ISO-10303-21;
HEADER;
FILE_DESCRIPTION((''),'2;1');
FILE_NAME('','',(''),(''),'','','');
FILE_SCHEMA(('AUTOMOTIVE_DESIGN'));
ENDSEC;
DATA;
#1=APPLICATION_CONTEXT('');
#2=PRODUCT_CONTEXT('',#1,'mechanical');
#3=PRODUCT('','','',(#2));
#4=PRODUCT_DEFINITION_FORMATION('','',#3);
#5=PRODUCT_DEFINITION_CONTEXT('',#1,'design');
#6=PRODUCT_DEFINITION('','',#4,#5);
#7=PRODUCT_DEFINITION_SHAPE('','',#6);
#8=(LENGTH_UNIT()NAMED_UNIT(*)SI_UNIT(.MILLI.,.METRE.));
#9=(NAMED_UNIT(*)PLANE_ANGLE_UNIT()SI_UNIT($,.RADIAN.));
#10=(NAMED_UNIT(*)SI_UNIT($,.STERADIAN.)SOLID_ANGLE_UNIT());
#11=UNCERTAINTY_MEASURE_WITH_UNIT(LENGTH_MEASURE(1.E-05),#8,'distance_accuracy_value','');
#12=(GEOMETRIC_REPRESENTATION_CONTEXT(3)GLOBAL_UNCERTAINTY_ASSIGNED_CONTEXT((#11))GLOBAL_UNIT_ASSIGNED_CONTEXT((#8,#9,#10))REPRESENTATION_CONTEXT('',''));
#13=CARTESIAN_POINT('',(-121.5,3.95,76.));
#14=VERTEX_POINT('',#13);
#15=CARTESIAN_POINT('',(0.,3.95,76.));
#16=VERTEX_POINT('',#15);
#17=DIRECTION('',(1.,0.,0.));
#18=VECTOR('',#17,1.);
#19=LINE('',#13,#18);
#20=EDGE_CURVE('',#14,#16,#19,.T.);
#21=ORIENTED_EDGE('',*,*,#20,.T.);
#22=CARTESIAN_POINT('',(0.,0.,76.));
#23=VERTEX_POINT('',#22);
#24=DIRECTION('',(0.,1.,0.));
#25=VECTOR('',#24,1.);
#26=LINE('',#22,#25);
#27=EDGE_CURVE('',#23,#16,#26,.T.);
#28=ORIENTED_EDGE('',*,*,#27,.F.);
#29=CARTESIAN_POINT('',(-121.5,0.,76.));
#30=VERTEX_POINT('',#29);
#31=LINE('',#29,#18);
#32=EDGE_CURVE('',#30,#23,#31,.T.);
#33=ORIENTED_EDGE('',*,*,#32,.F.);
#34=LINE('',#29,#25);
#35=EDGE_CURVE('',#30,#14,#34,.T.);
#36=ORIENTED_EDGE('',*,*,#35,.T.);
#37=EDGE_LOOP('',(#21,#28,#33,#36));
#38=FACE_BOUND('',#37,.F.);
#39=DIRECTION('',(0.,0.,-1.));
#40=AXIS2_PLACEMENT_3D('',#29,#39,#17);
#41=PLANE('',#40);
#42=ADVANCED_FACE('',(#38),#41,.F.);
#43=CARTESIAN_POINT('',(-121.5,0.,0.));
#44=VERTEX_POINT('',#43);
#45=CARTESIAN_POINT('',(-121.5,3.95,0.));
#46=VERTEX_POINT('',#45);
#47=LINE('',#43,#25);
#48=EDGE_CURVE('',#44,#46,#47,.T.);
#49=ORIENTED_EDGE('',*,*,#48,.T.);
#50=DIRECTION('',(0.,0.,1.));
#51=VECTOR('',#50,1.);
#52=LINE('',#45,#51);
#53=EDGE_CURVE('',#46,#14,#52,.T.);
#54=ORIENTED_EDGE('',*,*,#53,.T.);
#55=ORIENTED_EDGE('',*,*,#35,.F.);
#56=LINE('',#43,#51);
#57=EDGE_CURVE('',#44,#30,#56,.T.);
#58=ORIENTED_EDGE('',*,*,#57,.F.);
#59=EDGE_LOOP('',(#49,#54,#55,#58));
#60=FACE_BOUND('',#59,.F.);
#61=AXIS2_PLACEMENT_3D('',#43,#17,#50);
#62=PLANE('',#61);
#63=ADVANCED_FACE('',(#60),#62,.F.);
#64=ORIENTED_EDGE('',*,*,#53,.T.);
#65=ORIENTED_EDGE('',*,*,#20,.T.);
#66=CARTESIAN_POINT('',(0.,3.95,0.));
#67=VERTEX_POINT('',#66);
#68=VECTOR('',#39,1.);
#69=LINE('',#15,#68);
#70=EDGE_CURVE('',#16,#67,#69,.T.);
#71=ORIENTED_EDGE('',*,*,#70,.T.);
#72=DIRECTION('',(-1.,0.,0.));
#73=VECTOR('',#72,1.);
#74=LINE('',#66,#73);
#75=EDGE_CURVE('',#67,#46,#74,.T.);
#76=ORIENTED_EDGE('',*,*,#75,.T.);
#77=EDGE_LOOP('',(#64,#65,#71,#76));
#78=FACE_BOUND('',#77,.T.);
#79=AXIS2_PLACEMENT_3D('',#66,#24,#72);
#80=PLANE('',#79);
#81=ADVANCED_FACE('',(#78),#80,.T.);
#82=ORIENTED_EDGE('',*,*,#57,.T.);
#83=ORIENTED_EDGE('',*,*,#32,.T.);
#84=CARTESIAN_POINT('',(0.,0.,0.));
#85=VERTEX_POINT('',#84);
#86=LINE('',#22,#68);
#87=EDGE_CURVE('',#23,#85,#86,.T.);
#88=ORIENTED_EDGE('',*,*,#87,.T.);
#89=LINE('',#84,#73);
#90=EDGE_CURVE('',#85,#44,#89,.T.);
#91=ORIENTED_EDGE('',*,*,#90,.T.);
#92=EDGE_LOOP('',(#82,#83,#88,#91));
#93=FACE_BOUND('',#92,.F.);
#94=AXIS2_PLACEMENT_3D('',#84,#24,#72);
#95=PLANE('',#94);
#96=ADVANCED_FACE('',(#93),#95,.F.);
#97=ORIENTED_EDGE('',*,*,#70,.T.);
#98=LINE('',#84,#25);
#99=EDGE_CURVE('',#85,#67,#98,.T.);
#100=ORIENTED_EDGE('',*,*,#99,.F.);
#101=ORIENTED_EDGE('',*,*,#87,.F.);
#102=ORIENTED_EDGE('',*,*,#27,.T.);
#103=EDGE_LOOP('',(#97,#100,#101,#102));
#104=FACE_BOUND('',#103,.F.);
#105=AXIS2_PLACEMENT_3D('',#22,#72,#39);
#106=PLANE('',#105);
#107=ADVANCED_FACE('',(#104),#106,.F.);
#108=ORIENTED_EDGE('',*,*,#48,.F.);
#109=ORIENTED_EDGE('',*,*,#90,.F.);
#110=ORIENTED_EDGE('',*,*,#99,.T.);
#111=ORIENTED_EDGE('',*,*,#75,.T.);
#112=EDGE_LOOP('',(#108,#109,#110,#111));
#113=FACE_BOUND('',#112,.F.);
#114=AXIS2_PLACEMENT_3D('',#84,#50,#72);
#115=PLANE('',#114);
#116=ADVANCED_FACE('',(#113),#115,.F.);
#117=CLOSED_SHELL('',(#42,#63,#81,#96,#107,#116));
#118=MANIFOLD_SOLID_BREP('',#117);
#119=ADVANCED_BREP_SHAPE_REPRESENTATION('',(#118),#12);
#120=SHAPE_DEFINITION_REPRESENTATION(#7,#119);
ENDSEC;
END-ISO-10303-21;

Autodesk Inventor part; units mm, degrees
ref_plane "YZ Plane" through (0, 0, 0) normal (1, 0, 0) x (0, 1, 0)
ref_plane "XZ Plane" through (0, 0, 0) normal (0, 1, 0) x (-1, 0, 0)
ref_plane "XY Plane" through (0, 0, 0) normal (0, 0, 1) x (1, 0, 0)
sketch "Sketch1" plane through (0, 0, 0) normal (0, 1, 0) x (-1, 0, 0)
  point P0 (0, 0)
sketch "Sketch2" plane through (0, 0, 0) normal (0, 1, 0) x (-1, 0, 0)
  line L0 (121.5, 76) -> (0, 76)
  line L1 (0, 76) -> (0, 0)
  line L2 (0, 0) -> (121.5, 0)
  line L3 (121.5, 0) -> (121.5, 76)
  dimension "d0" = 121.5
  dimension "d1" = 76
extrude "Extrusion1" add sketch "Sketch2" along normal blind 3.95
properties part number "Screen" material "Acetal Resin, Black"
